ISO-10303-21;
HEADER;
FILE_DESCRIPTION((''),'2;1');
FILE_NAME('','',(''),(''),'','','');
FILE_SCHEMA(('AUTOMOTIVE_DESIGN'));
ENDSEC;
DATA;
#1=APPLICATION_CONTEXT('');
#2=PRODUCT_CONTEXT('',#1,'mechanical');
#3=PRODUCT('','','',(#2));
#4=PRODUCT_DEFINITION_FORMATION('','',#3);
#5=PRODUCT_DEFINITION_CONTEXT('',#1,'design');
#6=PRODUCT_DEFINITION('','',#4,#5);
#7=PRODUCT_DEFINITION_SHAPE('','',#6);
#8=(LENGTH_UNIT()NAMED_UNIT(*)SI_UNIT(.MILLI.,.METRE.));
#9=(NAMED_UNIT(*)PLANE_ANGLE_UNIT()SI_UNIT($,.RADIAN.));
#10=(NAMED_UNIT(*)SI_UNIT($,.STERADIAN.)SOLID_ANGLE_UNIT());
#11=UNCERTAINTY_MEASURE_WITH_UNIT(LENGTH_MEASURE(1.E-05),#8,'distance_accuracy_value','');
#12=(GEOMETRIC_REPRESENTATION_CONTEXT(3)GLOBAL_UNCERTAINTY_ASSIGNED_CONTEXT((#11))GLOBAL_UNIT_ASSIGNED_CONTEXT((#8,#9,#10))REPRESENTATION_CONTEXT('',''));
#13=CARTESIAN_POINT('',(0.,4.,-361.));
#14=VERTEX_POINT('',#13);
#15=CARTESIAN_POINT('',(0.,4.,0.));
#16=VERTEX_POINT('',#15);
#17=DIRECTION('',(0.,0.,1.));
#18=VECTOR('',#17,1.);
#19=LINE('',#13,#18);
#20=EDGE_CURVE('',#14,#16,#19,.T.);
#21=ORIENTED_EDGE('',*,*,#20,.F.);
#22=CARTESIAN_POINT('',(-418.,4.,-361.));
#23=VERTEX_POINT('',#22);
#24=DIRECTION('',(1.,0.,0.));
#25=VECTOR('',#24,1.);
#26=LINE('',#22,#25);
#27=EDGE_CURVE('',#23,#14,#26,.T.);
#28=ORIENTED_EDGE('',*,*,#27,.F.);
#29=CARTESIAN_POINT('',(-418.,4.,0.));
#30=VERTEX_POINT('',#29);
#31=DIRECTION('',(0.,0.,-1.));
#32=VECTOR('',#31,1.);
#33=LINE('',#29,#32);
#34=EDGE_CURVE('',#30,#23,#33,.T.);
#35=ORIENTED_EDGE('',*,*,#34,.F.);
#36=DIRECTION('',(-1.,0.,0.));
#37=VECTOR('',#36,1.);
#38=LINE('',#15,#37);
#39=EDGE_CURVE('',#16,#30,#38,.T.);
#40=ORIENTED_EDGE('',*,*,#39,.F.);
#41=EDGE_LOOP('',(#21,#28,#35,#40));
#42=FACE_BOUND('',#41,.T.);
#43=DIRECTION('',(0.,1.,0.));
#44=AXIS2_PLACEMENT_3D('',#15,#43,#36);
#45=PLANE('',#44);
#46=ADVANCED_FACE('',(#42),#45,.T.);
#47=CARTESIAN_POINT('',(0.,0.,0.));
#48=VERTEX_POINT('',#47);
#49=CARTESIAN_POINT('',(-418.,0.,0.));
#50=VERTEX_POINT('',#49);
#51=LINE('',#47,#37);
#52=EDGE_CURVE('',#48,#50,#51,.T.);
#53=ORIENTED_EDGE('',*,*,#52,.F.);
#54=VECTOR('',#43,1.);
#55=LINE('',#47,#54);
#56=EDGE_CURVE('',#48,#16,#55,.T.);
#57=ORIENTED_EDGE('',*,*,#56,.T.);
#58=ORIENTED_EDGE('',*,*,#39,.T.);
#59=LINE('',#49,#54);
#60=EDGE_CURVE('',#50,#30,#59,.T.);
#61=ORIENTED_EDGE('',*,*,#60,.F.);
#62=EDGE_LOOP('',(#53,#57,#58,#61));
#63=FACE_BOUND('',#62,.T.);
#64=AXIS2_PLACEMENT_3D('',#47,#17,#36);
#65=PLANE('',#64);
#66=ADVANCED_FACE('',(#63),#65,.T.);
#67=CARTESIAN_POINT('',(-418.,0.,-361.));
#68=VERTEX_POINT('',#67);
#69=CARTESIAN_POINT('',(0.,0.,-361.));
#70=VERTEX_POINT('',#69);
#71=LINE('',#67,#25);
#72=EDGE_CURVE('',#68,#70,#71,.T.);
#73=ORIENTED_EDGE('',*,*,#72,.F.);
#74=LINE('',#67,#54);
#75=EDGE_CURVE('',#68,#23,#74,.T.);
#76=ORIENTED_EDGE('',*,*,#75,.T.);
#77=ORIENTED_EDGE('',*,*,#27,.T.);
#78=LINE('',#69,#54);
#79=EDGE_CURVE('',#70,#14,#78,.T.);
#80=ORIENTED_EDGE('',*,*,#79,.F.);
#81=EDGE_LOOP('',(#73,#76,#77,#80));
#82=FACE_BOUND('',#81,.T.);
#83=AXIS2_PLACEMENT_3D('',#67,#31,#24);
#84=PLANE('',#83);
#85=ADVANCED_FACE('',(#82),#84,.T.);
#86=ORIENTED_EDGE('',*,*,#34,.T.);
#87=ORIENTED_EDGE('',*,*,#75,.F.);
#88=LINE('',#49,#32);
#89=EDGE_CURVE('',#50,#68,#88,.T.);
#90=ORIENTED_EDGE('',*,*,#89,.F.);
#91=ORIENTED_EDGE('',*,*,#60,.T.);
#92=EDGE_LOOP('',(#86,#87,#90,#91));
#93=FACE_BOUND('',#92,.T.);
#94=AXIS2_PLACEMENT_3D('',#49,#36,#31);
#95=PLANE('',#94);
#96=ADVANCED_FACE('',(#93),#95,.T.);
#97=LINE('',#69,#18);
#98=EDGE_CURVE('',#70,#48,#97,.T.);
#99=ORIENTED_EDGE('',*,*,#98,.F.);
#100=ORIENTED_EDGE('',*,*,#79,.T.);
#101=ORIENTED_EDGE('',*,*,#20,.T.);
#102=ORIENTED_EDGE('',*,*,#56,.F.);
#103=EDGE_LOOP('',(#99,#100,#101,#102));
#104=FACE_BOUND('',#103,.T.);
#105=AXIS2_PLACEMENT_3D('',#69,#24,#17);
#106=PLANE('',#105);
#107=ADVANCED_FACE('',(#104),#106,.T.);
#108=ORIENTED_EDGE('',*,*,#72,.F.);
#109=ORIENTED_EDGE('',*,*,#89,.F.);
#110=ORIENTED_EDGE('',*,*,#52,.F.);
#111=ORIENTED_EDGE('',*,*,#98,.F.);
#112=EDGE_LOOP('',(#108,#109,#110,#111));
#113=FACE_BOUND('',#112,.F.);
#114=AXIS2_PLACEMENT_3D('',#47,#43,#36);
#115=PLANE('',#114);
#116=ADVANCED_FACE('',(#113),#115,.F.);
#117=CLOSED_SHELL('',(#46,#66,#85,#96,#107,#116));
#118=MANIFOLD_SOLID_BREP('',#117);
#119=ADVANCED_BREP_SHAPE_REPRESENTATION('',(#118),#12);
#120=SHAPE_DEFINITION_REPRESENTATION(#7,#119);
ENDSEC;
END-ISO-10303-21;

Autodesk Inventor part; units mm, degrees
ref_plane "YZ Plane" through (0, 0, 0) normal (1, 0, 0) x (0, 1, 0)
ref_plane "XZ Plane" through (0, 0, 0) normal (0, 1, 0) x (-1, 0, 0)
ref_plane "XY Plane" through (0, 0, 0) normal (0, 0, 1) x (1, 0, 0)
sketch "Эскиз1" plane through (0, 0, 0) normal (0, 1, 0) x (-1, 0, 0)
  line L0 (0, 0) -> (418, 0)
  line L1 (418, 0) -> (418, -361)
  line L2 (418, -361) -> (0, -361)
  line L3 (0, -361) -> (0, 0)
  dimension "d0" = 361
  dimension "d1" = 418
extrude "Выдавливание1" add sketch "Эскиз1" along normal blind 4
properties part number "ЗеркалоДверцы"
